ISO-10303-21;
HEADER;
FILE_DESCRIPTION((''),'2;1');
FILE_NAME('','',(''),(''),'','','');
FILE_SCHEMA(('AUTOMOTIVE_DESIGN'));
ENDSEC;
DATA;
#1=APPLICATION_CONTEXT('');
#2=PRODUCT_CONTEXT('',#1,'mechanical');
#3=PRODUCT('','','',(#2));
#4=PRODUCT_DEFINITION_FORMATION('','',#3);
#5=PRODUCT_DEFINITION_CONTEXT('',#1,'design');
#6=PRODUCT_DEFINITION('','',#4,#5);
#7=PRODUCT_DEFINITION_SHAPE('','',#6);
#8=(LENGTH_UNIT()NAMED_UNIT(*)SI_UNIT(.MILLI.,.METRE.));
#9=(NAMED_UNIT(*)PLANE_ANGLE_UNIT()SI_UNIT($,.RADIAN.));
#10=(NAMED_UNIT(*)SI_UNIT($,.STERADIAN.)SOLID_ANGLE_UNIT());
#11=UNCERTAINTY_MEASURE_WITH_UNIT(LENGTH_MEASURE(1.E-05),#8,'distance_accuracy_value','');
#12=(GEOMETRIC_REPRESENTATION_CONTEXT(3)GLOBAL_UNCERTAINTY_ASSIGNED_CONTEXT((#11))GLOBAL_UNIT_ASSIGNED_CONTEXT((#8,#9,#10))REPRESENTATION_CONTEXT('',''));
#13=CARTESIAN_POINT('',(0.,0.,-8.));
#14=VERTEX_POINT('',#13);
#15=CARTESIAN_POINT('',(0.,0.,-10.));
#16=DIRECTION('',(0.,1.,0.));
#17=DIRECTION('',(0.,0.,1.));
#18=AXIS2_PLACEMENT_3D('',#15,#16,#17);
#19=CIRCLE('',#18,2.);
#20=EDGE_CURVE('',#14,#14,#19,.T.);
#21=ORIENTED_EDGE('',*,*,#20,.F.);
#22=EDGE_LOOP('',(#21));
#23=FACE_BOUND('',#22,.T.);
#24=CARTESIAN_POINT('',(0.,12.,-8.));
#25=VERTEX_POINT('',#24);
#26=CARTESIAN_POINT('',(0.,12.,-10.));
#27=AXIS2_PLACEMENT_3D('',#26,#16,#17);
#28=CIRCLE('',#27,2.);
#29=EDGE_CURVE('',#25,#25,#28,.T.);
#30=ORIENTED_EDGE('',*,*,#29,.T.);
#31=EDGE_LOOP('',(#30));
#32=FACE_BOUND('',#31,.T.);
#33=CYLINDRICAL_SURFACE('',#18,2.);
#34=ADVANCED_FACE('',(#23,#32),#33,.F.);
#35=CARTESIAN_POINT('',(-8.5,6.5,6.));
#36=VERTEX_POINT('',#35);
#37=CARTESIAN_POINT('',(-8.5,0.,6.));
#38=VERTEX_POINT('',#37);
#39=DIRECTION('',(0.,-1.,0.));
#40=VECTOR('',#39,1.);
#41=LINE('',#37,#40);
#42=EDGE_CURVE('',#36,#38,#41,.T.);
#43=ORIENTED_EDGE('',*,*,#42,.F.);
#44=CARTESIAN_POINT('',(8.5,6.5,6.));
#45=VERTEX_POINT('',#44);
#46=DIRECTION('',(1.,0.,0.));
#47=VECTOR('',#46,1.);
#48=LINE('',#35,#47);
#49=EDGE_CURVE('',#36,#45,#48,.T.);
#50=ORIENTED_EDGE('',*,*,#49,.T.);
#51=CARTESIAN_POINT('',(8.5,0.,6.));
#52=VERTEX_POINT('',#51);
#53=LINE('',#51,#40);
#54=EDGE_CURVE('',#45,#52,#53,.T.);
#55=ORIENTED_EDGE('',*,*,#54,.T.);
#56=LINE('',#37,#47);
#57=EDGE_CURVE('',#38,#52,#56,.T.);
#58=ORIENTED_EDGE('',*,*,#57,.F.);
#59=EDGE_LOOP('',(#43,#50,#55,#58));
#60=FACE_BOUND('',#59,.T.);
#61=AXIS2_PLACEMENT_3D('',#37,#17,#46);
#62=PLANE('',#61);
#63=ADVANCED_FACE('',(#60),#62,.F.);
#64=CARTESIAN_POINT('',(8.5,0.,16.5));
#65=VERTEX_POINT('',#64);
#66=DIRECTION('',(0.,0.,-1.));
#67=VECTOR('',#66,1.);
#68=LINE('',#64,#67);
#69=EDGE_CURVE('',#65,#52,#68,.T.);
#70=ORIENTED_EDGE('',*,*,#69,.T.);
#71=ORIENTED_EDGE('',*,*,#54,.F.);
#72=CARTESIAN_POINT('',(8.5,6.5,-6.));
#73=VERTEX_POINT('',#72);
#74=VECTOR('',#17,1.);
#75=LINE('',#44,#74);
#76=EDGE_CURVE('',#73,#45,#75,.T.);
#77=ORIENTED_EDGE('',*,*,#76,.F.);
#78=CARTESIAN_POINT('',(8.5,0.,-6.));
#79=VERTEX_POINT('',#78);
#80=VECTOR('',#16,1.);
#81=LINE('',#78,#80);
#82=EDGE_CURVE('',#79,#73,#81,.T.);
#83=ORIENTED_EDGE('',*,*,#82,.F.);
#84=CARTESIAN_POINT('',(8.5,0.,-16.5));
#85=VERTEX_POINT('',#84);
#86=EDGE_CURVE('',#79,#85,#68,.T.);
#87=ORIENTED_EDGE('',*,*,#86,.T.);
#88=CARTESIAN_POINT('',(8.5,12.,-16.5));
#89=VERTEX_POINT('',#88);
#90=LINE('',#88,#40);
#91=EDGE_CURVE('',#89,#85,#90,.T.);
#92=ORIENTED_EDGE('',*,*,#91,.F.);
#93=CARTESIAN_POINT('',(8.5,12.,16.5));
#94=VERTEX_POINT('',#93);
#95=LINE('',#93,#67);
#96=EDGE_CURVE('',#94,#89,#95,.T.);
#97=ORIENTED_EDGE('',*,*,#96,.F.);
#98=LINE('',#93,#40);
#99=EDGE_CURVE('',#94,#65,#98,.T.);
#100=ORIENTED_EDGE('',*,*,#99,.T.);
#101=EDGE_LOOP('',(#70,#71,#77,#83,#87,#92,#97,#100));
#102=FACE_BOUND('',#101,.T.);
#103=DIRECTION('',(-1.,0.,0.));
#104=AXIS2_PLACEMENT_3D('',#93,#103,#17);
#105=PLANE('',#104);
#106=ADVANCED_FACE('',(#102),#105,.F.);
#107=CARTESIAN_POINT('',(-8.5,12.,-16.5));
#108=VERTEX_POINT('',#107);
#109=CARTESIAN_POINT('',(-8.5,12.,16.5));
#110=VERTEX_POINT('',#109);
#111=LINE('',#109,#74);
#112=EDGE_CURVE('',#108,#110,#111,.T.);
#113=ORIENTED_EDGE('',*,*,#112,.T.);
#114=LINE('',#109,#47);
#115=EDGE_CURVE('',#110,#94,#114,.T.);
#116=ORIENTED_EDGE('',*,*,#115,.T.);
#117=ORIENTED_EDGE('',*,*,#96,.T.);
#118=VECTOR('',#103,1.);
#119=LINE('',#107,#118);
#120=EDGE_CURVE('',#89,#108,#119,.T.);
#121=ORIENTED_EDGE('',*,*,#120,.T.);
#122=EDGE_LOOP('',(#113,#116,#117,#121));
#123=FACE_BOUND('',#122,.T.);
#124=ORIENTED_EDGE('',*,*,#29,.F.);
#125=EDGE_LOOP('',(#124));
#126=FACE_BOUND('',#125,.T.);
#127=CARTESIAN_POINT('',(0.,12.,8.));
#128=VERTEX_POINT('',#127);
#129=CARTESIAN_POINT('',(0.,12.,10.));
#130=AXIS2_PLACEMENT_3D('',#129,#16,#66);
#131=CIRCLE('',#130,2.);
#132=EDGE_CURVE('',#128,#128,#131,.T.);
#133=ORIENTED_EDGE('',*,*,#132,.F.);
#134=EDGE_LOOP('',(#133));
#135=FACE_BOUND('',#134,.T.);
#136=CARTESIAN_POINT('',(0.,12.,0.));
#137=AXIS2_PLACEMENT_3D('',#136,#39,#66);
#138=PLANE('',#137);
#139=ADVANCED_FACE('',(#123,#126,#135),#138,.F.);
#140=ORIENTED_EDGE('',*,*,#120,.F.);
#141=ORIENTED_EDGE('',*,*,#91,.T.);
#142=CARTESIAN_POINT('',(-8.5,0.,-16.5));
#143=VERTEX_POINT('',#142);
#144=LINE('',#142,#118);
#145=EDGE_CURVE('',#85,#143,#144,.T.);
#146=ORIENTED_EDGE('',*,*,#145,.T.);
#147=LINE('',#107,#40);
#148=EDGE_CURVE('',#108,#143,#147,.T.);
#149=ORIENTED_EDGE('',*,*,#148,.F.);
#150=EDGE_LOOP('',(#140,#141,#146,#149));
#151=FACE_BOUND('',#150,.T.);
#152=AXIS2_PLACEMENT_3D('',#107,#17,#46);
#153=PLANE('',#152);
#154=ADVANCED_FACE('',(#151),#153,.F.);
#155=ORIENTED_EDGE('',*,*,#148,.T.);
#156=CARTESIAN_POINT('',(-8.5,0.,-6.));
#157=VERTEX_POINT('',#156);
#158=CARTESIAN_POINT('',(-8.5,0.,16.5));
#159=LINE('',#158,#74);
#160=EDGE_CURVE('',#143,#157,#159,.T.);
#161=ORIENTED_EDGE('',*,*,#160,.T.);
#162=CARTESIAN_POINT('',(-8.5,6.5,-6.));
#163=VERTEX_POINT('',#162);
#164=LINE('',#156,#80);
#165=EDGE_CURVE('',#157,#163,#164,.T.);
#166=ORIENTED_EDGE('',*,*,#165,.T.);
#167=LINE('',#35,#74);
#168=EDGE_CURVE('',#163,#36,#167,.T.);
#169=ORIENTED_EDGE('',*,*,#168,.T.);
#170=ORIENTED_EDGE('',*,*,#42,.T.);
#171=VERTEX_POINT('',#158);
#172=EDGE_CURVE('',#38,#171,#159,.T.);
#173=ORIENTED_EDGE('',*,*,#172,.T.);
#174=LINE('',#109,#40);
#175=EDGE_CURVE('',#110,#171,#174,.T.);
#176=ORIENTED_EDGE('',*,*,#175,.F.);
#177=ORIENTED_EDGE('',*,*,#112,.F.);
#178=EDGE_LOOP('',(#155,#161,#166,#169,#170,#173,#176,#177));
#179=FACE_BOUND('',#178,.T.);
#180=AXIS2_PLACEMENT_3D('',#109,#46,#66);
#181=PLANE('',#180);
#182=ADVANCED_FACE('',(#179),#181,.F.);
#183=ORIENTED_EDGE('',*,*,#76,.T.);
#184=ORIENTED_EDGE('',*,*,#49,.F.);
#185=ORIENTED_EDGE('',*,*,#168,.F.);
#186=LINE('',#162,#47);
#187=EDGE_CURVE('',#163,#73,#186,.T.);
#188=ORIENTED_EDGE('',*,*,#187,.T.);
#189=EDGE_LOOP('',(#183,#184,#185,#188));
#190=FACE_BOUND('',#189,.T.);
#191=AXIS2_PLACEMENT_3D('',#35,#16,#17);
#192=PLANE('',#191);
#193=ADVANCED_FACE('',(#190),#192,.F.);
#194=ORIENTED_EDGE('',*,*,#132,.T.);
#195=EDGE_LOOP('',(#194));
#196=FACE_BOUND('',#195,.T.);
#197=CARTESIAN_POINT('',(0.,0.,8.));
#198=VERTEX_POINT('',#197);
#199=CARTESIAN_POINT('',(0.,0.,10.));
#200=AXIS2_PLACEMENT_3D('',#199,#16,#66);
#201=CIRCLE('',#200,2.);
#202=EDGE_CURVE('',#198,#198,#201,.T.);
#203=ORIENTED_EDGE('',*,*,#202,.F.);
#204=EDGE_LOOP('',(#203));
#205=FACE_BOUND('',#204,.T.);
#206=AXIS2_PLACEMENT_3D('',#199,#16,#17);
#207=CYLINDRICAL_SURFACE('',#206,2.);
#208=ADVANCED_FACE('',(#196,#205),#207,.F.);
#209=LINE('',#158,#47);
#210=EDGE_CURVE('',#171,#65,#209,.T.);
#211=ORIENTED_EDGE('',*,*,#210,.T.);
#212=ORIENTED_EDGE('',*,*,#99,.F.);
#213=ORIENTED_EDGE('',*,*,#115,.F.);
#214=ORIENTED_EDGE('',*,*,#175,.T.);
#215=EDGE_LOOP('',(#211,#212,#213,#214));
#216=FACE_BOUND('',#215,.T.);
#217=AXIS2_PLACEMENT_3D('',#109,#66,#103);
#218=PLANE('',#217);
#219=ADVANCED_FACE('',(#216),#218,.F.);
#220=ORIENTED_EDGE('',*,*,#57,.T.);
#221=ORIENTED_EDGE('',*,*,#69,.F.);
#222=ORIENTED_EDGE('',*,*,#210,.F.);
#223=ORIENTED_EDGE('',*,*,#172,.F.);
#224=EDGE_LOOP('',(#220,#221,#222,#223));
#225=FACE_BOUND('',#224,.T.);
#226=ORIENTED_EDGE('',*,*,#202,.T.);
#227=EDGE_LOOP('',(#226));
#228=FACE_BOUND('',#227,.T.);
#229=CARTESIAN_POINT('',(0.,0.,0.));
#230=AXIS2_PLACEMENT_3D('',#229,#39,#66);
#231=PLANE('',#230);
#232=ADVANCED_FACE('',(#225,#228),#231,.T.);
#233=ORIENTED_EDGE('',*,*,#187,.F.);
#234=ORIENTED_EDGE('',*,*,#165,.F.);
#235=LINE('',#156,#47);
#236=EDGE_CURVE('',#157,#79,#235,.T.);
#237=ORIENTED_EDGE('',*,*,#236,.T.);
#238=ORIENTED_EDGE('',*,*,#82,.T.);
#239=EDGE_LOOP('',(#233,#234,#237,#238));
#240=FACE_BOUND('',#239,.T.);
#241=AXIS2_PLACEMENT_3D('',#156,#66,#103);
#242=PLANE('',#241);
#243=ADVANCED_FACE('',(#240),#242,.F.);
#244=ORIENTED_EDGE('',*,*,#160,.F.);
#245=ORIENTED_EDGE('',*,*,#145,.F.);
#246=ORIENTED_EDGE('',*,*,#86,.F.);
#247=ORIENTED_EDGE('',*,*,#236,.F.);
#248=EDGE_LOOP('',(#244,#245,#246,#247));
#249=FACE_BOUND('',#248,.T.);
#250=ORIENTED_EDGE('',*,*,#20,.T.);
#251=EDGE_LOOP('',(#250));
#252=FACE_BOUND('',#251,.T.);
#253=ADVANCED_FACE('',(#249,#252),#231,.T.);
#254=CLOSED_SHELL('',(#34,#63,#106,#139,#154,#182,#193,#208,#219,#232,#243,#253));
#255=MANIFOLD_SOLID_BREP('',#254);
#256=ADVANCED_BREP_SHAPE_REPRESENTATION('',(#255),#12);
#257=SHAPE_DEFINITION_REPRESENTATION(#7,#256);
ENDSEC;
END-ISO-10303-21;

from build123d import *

# Parameters (mm, degrees)
CROQUIS1_W              = 17
CROQUIS1_H              = 33
SALIENTE_EXTRUIR1_DEPTH = 12
CROQUIS2_R              = 2
CORTAR_EXTRUIR1_DEPTH   = 23.102036105
CROQUIS3_W              = 12
CROQUIS3_H              = 6.5
CORTAR_EXTRUIR2_DEPTH   = 27.55654345


with BuildPart() as part:
    # Croquis1 → Saliente-Extruir1 (new body)
    with BuildSketch(Plane(origin=(0, 0, 0), x_dir=(1, 0, 0), z_dir=(0, 1, 0))):
        Rectangle(CROQUIS1_W, CROQUIS1_H)
    extrude(amount=SALIENTE_EXTRUIR1_DEPTH)

    # Croquis2 → Cortar-Extruir1 (cut, through all)
    with BuildSketch(Plane(origin=(0, 12, 0), x_dir=(1, 0, 0), z_dir=(0, 1, 0))):
        with Locations(Location((0, 10, 0), (0, 0, 270))):
            Circle(CROQUIS2_R)
        with Locations(Location((0, -10, 0), (0, 0, 90))):
            Circle(CROQUIS2_R)
    extrude(amount=-CORTAR_EXTRUIR1_DEPTH, mode=Mode.SUBTRACT)

    # Croquis3 → Cortar-Extruir2 (cut, through all)
    with BuildSketch(Plane(origin=(8.5, 0, 0), x_dir=(0, 0, -1), z_dir=(1, 0, 0))):
        with Locations((0, 3.25)):
            Rectangle(CROQUIS3_W, CROQUIS3_H)
    extrude(amount=-CORTAR_EXTRUIR2_DEPTH, mode=Mode.SUBTRACT)


solid = part.part
